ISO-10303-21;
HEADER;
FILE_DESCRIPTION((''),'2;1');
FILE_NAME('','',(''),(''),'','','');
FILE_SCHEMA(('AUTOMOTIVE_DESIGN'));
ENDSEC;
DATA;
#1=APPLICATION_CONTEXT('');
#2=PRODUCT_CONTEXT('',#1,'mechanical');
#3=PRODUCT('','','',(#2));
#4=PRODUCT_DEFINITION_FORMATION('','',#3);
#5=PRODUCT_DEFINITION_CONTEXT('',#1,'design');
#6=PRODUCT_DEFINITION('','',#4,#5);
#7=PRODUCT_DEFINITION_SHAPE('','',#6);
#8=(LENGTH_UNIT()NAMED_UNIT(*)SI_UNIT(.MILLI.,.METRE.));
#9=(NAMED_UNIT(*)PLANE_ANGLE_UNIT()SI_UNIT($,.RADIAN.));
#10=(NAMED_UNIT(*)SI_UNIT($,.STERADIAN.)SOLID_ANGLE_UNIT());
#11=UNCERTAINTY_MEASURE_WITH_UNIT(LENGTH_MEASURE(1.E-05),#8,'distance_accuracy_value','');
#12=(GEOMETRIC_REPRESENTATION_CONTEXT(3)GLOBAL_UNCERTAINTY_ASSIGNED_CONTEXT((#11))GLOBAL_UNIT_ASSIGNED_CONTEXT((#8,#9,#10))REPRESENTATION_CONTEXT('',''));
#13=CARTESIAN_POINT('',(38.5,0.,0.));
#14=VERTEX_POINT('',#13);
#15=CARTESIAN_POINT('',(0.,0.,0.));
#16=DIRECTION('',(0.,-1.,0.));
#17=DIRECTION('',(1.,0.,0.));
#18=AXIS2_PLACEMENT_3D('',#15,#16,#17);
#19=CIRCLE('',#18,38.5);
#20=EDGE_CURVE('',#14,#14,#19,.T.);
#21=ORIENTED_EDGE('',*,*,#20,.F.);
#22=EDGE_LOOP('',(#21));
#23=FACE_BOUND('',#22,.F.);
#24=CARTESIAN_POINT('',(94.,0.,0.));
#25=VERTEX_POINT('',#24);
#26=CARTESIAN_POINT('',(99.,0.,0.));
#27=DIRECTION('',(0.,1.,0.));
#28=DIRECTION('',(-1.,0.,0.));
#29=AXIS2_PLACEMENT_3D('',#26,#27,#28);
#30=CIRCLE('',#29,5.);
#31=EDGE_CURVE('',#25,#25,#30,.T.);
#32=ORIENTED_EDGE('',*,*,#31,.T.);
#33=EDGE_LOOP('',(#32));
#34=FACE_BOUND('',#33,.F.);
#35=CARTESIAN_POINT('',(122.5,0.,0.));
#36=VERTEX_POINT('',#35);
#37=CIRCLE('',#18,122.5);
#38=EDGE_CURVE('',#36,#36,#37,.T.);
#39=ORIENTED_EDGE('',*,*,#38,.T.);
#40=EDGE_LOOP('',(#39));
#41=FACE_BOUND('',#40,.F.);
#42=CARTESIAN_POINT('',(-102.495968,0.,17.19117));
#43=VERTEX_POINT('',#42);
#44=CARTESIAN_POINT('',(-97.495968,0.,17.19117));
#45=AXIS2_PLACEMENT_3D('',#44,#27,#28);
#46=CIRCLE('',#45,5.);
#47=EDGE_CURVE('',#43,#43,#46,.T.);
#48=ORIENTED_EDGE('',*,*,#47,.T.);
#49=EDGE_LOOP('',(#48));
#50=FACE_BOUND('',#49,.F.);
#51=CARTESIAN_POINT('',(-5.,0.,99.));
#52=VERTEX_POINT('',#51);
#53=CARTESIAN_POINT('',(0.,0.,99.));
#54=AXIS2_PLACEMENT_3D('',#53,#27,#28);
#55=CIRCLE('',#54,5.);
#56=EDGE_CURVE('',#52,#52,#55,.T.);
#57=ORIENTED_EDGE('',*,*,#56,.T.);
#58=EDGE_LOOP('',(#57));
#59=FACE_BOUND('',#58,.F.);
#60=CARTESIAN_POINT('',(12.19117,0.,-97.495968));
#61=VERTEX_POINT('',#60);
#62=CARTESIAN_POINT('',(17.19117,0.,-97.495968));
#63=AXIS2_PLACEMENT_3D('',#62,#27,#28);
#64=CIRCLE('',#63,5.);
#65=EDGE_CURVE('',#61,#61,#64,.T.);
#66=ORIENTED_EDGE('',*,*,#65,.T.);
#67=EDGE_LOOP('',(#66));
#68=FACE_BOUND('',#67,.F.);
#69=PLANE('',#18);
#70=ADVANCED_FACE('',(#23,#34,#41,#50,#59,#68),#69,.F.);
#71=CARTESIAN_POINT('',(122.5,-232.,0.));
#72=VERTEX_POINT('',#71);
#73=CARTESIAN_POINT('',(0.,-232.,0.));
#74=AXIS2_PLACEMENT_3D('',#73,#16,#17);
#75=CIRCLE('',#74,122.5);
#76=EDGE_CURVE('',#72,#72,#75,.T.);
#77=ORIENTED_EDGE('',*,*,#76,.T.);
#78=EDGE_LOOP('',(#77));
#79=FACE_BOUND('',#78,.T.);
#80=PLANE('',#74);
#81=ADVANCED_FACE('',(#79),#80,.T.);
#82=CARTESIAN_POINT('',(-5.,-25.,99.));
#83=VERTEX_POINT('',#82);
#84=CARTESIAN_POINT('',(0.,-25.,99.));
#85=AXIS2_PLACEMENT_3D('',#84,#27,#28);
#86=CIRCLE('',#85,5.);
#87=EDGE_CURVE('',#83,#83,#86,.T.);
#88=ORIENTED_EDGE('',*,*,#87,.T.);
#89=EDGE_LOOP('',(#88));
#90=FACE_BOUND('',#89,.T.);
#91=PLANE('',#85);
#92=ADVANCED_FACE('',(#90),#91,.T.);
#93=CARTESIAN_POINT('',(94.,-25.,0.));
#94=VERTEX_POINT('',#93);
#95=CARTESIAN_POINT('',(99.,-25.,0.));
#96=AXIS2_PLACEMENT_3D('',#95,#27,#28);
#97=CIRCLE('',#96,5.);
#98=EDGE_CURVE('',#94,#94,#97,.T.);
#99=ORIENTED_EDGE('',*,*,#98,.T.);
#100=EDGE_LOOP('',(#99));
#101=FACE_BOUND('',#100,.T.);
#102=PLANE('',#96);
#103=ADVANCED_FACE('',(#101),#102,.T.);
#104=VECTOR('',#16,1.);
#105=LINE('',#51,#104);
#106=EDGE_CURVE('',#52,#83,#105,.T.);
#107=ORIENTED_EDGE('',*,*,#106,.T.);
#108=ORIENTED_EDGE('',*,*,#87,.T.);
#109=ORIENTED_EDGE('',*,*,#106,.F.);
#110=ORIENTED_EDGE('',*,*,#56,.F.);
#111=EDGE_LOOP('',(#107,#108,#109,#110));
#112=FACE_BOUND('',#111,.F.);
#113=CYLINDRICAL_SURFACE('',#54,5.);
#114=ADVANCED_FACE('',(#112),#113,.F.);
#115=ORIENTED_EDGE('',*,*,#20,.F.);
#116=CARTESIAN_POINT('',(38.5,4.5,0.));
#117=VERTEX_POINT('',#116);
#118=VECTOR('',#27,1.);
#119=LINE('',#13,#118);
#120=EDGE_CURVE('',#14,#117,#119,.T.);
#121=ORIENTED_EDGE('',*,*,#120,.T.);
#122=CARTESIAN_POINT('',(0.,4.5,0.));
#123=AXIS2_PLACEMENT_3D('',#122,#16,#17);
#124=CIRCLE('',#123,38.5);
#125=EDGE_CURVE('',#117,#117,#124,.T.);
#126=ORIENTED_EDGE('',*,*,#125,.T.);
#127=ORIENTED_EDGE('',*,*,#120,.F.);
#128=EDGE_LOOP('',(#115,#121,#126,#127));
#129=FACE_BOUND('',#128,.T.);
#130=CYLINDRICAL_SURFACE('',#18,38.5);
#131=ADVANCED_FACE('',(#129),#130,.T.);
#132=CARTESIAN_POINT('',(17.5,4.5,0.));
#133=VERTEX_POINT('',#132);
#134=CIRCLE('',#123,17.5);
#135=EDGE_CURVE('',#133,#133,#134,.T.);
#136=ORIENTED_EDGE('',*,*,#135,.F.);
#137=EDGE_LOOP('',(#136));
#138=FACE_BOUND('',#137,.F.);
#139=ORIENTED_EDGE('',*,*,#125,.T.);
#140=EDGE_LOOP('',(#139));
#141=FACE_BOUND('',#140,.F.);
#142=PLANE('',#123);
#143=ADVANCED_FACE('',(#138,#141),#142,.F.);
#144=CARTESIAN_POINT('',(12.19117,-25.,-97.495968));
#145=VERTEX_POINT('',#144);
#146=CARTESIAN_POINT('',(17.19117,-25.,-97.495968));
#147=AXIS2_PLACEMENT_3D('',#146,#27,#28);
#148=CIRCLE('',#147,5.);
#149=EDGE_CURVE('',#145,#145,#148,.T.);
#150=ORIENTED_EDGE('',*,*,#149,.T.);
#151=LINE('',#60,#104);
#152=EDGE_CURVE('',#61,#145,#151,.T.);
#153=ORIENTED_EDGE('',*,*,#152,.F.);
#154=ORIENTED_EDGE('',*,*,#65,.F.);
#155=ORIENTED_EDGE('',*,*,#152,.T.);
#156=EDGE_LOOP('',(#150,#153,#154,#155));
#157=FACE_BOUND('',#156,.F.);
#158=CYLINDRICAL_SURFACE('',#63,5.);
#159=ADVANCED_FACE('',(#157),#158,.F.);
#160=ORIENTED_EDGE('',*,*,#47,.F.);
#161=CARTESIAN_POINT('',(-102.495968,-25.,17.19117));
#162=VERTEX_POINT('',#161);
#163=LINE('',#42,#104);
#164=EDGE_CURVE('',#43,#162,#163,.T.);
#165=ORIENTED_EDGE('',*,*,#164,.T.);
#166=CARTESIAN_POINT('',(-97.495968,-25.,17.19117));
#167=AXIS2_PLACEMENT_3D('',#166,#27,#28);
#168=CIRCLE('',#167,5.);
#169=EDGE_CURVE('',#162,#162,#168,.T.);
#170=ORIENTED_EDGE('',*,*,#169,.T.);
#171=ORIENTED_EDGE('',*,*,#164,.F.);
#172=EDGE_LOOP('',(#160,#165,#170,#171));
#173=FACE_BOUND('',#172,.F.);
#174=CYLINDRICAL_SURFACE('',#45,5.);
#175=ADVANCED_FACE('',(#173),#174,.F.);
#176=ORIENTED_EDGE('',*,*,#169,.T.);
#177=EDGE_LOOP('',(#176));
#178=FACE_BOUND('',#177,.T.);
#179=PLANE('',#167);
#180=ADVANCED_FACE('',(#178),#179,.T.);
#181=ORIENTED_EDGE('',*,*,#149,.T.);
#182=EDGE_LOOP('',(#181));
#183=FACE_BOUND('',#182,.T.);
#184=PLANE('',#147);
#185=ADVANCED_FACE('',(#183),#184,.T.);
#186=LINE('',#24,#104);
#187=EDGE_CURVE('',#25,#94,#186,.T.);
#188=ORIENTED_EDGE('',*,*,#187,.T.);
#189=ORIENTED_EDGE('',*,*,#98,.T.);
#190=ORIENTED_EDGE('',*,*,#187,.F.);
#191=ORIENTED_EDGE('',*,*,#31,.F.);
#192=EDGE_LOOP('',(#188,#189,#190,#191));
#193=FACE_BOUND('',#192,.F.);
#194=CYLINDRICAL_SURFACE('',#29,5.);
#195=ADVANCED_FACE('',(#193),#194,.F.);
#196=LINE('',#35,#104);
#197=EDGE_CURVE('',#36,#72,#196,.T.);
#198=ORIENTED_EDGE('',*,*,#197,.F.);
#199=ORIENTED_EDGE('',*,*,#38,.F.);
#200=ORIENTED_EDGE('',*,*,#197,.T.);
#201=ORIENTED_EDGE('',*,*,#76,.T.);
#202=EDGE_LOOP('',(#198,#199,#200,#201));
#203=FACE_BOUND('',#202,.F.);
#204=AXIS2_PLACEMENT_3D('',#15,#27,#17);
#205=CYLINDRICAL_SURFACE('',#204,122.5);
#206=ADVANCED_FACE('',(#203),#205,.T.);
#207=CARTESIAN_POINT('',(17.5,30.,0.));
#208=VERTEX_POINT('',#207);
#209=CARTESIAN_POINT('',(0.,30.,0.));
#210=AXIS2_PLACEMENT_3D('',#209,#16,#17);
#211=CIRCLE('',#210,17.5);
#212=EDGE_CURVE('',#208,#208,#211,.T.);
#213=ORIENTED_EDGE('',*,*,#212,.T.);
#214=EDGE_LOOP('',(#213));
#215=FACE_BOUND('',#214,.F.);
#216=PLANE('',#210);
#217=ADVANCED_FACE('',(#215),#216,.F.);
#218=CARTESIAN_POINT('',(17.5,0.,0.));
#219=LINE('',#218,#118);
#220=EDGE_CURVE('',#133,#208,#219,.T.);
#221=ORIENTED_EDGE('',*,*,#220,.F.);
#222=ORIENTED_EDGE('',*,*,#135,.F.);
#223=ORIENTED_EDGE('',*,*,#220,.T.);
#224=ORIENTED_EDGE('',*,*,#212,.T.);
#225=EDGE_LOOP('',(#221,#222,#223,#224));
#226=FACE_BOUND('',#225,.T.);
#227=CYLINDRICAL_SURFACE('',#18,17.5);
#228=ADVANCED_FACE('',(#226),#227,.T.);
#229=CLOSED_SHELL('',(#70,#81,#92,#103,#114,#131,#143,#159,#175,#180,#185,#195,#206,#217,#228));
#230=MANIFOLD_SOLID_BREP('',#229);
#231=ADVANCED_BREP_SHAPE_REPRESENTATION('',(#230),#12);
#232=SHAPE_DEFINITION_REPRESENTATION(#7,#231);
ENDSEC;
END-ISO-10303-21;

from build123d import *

# Parameters (mm, degrees)
F0_R     = 17.5
F1_DEPTH = 30
F2_R     = 38.5
F3_DEPTH = 4.5
F4_R     = 122.5
F5_DEPTH = 232
F6_R     = 5
F7_DEPTH = 25


with BuildPart() as f1:
    # F0 (on Front) → F1 (new body)
    with BuildSketch(Plane.XZ):
        Circle(F0_R)
    extrude(amount=-F1_DEPTH)

    # F2 (on Front) → F3 (join)
    with BuildSketch(Plane.XZ):
        Circle(F2_R)
    extrude(amount=-F3_DEPTH)

    # F4 (on Front) → F5 (join)
    with BuildSketch(Plane.XZ):
        Circle(F4_R)
    extrude(amount=F5_DEPTH)

    # F6 (on face) → F7 (cut)
    with BuildSketch(Plane(origin=(0, 0, 0), x_dir=(-1, 0, 0), z_dir=(0, 1, 0))):
        with Locations((-99, 0)):
            Circle(F6_R)
        with Locations((0, 99)):
            Circle(F6_R)
        with Locations((97.495968, 17.19117)):
            Circle(F6_R)
        with Locations((-17.19117, -97.495968)):
            Circle(F6_R)
    extrude(amount=-F7_DEPTH, mode=Mode.SUBTRACT)


solid = f1.part
